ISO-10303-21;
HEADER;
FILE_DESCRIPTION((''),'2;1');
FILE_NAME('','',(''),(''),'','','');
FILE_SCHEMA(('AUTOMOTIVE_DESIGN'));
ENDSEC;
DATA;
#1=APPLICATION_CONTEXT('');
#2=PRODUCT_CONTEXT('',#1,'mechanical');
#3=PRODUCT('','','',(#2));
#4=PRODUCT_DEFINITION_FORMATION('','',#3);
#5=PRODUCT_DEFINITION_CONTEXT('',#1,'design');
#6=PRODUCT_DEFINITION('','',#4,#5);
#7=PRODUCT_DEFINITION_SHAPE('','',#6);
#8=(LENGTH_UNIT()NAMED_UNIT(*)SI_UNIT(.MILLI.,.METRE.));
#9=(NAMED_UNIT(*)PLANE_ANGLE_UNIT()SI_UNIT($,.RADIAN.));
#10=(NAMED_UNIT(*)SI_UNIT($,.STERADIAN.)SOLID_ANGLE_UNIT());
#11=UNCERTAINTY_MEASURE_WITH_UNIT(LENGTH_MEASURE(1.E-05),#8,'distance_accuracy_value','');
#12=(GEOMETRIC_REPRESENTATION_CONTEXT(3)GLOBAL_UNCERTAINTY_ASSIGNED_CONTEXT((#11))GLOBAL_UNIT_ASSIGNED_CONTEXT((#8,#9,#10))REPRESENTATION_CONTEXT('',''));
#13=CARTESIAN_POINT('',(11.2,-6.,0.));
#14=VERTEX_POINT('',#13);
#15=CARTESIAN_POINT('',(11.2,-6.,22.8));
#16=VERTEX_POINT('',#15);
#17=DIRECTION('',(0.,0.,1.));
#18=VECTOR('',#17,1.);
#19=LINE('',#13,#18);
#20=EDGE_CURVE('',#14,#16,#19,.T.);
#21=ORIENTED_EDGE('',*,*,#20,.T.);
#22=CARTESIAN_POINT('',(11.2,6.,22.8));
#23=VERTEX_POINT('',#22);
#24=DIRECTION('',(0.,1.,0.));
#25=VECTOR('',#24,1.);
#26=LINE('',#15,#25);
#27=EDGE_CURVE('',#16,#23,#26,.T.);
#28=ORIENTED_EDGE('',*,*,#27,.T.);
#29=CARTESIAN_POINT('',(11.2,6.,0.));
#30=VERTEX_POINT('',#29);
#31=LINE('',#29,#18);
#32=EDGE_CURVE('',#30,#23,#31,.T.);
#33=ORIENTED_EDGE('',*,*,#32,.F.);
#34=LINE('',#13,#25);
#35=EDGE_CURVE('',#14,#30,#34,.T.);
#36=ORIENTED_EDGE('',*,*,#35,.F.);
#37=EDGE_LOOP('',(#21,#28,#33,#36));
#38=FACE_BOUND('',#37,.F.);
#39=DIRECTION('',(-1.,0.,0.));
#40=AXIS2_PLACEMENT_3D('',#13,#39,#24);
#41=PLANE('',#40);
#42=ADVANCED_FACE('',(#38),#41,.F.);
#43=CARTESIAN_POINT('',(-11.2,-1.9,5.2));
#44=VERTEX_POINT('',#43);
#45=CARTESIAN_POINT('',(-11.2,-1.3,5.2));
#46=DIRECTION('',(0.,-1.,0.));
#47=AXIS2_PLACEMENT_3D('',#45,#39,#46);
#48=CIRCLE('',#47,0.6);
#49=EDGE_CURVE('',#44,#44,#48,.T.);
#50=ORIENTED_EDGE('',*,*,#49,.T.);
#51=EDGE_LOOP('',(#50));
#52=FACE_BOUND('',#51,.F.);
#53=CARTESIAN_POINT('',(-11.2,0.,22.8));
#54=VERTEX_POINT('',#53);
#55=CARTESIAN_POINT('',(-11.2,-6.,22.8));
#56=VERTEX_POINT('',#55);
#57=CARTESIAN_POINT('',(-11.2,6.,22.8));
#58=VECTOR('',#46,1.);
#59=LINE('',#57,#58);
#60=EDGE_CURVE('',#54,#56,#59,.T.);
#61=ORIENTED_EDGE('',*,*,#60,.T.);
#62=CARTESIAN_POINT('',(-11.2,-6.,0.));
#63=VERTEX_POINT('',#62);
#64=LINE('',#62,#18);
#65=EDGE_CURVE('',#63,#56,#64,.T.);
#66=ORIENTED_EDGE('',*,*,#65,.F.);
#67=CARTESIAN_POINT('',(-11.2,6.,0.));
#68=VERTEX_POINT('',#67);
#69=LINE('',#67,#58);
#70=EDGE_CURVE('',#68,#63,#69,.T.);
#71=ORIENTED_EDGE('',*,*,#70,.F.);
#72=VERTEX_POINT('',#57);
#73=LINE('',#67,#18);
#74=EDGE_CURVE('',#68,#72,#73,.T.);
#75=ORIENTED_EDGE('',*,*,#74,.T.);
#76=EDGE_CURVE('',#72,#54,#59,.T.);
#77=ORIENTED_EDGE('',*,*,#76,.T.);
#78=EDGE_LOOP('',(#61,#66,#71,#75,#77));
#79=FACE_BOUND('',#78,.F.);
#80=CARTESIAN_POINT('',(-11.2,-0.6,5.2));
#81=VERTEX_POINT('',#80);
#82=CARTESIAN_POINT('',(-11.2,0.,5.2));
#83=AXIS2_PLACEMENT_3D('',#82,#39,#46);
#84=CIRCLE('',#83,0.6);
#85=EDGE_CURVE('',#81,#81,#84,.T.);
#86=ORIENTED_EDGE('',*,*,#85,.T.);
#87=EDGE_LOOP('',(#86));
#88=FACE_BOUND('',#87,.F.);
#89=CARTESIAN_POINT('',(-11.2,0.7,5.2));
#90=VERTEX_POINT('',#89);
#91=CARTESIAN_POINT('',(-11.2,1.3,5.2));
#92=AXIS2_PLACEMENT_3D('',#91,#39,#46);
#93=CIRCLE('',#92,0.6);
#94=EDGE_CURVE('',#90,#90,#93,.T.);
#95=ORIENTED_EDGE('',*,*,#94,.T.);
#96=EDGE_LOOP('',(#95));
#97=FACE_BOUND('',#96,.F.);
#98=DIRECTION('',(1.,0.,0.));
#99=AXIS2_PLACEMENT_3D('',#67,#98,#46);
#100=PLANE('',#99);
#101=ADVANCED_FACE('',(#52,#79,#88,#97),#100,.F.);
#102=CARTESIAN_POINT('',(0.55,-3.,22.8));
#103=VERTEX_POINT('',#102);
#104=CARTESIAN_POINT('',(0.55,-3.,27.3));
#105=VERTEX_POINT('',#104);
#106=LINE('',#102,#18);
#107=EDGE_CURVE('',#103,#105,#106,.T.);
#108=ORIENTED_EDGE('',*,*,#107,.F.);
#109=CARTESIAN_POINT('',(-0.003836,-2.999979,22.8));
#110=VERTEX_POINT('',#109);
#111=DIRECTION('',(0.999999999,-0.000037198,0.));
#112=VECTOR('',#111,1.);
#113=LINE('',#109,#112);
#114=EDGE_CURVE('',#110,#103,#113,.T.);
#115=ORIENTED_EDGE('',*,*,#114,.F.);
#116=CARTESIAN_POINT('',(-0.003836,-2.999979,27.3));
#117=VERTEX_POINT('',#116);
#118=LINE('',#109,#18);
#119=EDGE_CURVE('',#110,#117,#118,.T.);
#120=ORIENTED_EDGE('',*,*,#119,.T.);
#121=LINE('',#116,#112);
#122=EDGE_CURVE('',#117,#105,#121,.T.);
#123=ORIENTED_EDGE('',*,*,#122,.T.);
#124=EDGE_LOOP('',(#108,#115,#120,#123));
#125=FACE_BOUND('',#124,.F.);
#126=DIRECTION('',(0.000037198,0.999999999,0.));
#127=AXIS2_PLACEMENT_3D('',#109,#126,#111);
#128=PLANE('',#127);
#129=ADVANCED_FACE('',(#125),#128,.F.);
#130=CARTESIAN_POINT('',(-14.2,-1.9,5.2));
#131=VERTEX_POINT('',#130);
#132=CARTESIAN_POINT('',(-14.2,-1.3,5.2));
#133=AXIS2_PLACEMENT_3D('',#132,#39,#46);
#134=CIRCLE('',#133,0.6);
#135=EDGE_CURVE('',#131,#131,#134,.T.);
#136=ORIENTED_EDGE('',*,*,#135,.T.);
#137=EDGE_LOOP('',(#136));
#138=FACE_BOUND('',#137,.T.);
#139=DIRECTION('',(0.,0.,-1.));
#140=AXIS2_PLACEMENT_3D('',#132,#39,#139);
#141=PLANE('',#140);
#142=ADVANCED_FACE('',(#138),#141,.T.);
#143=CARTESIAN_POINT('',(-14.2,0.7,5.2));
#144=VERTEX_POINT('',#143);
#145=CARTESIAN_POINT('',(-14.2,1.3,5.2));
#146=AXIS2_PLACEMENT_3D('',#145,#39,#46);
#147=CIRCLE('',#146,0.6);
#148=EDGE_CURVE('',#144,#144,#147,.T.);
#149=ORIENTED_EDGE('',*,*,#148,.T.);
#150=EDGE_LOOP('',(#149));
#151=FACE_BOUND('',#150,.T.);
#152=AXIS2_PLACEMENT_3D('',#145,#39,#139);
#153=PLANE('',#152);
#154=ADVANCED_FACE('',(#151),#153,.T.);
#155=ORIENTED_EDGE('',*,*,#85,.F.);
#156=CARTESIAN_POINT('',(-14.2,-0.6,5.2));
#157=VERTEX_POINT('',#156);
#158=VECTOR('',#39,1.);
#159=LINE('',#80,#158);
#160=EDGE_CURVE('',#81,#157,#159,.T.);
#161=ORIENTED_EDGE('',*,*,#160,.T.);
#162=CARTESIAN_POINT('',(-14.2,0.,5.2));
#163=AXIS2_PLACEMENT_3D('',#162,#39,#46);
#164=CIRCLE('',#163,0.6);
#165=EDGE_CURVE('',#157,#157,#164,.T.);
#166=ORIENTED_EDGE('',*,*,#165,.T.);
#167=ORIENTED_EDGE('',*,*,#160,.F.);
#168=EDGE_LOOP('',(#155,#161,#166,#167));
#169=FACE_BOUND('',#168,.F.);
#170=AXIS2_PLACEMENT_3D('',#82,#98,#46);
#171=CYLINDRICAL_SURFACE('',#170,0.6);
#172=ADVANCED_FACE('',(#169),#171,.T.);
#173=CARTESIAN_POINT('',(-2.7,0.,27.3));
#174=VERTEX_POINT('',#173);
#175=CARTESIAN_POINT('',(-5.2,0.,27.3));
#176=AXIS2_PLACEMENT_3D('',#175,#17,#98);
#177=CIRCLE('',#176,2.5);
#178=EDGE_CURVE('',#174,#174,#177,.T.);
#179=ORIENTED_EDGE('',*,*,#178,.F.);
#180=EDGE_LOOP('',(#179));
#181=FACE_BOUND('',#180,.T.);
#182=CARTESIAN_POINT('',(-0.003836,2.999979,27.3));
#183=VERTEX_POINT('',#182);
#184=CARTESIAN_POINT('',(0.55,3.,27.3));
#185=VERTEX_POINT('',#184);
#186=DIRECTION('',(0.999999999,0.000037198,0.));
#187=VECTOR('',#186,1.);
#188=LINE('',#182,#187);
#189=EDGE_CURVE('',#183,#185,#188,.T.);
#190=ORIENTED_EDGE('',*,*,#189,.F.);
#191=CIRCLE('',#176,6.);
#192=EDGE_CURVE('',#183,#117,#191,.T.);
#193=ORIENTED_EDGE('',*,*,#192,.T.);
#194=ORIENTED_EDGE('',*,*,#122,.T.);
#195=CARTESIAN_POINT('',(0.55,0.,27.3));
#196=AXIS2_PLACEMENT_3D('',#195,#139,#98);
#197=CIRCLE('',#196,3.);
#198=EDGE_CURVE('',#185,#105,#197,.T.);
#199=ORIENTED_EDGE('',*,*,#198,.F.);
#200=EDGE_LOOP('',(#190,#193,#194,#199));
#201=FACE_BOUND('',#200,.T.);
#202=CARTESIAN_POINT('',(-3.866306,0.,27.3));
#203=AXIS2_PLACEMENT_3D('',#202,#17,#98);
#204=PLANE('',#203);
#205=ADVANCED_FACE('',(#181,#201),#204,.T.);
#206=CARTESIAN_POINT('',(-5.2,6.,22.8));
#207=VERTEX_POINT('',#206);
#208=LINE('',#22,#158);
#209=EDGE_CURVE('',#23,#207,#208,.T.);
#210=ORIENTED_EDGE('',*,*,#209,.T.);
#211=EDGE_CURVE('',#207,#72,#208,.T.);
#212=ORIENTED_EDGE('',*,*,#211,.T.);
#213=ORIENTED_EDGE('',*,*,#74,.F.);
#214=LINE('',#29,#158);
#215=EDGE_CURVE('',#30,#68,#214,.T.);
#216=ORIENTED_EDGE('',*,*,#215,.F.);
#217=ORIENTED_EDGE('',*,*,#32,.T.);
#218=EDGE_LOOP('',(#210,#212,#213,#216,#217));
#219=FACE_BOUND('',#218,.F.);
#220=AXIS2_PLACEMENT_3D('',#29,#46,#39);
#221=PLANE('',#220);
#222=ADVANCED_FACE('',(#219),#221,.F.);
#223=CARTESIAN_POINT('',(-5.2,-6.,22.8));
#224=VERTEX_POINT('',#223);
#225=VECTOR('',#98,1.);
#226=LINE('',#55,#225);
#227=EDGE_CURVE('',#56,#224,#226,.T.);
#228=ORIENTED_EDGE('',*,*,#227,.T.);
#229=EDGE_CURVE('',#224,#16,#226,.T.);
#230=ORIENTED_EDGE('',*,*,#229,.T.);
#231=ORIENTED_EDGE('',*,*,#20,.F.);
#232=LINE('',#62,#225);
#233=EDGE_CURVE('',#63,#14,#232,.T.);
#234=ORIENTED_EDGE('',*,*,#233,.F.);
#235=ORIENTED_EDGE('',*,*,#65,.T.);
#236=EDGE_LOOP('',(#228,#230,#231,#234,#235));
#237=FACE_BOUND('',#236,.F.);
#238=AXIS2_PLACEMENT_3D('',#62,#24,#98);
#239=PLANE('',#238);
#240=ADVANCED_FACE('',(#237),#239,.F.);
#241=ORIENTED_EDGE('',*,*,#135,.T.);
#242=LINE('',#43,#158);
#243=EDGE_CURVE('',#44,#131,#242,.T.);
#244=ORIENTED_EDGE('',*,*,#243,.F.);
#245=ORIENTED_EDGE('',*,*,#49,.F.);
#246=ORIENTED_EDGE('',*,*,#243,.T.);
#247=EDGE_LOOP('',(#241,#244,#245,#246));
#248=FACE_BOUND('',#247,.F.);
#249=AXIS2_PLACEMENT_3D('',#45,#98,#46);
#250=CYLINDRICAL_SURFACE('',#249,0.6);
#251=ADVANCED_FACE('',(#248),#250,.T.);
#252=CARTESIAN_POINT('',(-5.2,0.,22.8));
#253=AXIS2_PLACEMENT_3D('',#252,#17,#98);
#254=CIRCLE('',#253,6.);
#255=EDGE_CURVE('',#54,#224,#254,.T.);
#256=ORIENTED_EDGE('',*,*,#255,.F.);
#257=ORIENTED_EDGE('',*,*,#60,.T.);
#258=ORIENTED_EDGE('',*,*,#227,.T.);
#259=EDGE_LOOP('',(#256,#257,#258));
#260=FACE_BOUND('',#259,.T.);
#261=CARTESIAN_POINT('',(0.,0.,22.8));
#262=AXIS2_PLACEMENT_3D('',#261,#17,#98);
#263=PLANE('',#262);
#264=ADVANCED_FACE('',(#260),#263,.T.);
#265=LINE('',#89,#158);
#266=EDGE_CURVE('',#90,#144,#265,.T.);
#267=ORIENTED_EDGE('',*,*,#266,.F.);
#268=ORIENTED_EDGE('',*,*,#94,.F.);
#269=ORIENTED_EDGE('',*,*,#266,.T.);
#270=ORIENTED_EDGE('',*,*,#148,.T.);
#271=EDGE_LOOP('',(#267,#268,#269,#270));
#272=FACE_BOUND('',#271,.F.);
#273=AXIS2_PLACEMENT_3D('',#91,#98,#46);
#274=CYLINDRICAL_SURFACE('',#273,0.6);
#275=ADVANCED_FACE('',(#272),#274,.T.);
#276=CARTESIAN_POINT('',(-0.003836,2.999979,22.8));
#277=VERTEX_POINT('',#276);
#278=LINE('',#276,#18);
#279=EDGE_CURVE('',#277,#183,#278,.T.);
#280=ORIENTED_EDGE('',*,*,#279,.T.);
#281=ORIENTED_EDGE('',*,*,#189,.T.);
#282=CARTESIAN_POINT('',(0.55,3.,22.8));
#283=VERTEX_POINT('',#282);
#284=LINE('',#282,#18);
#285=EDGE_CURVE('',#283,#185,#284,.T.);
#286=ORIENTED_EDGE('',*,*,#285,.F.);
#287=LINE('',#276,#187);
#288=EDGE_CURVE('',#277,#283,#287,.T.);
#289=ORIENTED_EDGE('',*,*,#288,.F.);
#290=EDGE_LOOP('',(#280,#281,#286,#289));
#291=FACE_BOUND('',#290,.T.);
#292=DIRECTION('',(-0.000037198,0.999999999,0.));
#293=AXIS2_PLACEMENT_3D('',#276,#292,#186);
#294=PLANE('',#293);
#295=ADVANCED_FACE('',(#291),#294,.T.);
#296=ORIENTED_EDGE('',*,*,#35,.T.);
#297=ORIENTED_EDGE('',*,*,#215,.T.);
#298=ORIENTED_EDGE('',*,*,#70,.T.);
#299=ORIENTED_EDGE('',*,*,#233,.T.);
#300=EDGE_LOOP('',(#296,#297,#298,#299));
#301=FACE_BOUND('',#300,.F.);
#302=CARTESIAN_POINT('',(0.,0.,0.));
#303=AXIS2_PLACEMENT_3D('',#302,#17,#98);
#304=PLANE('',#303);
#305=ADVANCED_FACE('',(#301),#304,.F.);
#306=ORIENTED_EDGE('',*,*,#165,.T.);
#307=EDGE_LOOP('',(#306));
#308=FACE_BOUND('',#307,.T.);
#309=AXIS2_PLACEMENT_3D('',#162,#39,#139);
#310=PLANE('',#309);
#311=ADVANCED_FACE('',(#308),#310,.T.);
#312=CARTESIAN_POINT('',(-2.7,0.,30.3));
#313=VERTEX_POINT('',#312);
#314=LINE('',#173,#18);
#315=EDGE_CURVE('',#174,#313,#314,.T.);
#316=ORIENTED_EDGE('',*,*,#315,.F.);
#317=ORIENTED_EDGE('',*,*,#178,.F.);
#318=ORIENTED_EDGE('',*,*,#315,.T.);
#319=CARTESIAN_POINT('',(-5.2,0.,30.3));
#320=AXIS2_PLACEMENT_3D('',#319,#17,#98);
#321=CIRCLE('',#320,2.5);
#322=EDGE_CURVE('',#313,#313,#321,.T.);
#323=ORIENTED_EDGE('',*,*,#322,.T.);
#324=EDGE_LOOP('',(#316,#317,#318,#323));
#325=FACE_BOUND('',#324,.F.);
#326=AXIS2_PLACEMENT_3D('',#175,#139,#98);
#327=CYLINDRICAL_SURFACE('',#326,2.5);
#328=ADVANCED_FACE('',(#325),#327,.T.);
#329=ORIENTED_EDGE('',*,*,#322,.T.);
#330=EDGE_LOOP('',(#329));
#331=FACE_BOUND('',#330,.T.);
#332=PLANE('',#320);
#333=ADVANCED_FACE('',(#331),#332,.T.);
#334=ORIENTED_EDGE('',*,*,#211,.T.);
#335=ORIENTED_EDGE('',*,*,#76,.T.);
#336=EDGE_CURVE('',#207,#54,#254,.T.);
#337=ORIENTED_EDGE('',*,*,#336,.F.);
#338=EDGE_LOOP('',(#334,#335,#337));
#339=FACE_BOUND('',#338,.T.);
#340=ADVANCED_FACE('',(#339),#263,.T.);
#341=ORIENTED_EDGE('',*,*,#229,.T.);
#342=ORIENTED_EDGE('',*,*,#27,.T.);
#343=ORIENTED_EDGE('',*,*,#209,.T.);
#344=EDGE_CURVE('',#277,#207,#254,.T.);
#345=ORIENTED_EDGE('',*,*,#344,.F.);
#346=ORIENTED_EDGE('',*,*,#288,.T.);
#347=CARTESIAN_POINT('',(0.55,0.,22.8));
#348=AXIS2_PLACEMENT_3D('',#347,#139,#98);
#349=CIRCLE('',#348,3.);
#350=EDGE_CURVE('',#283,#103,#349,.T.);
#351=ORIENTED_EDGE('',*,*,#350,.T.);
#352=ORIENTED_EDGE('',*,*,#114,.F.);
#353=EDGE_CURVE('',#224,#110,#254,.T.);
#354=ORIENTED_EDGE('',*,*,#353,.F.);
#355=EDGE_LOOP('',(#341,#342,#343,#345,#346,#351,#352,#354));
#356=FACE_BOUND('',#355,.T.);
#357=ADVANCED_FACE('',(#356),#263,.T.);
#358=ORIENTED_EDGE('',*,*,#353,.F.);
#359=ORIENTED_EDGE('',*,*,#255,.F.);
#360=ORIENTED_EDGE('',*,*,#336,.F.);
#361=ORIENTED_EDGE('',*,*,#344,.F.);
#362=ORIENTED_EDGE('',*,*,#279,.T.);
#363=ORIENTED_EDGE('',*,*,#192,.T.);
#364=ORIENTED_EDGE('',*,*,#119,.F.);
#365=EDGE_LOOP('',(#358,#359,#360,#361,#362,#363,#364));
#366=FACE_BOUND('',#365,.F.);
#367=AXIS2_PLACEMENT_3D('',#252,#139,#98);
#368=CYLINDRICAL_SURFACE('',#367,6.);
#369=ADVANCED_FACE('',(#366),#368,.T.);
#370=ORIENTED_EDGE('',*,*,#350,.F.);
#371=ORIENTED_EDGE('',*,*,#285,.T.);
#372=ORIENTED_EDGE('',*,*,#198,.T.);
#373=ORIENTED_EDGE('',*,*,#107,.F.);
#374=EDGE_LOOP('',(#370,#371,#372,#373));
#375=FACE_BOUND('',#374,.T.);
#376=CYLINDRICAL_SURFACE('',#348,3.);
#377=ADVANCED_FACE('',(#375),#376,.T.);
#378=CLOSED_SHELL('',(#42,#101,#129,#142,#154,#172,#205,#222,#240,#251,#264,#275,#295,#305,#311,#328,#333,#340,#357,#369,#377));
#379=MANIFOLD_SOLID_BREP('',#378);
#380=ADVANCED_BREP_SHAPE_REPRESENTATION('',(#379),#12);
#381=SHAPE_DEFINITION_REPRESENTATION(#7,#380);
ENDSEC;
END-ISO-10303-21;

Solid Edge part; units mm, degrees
sketch "Sketch1" plane through (0, 0, 0) normal (0, 0, 1) x (1, 0, 0)
  line L0 (-11.2, -6) -> (11.2, -6)
  line L1 (11.2, -6) -> (11.2, 6)
  line L2 (11.2, 6) -> (-11.2, 6)
  line L3 (-11.2, 6) -> (-11.2, -6)
  dimension "D1" = 12
  dimension "D2" = 22.4
extrude "Protrusion1" add sketch "Sketch1" along normal blind 22.8
sketch "Sketch2" plane through (0, 0, 22.8) normal (0, 0, 1) x (1, 0, 0)
  arc A0 (-0.0038, 3) -> (-0.0038, -3) centre (-5.2, 0) ccw
  line L0 (-0.0038, -3) -> (0.55, -3)
  arc A1 (0.55, 3) -> (0.55, -3) centre (0.55, 0) cw
  line L1 (-0.0038, 3) -> (0.55, 3)
  dimension "D1" = 6
  dimension "D2" = 14.75
extrude "Extrusionsausprägung_2" add sketch "Sketch2" along normal blind 4.5
sketch "Sketch3" plane through (-4.025, 0, 27.3) normal (0, 0, 1) x (1, 0, 0)
  circle A0 centre (-1.175, 0) radius 2.5
  dimension "D1" = 5
extrude "Extrusionsausprägung_3" add sketch "Sketch3" along normal blind 3
sketch "Sketch4" plane through (-11.2, 0, 11.2) normal (-1, 0, 0) x (0, -1, 0)
  circle A0 centre (0, -6) radius 0.6
  circle A1 centre (1.3, -6) radius 0.6
  circle A2 centre (-1.3, -6) radius 0.6
  dimension "D1" = 5.2
  dimension "D2" = 1.2
  dimension "D3" = 1.3
extrude "Extrusionsausprägung_4" add sketch "Sketch4" along normal blind 3
